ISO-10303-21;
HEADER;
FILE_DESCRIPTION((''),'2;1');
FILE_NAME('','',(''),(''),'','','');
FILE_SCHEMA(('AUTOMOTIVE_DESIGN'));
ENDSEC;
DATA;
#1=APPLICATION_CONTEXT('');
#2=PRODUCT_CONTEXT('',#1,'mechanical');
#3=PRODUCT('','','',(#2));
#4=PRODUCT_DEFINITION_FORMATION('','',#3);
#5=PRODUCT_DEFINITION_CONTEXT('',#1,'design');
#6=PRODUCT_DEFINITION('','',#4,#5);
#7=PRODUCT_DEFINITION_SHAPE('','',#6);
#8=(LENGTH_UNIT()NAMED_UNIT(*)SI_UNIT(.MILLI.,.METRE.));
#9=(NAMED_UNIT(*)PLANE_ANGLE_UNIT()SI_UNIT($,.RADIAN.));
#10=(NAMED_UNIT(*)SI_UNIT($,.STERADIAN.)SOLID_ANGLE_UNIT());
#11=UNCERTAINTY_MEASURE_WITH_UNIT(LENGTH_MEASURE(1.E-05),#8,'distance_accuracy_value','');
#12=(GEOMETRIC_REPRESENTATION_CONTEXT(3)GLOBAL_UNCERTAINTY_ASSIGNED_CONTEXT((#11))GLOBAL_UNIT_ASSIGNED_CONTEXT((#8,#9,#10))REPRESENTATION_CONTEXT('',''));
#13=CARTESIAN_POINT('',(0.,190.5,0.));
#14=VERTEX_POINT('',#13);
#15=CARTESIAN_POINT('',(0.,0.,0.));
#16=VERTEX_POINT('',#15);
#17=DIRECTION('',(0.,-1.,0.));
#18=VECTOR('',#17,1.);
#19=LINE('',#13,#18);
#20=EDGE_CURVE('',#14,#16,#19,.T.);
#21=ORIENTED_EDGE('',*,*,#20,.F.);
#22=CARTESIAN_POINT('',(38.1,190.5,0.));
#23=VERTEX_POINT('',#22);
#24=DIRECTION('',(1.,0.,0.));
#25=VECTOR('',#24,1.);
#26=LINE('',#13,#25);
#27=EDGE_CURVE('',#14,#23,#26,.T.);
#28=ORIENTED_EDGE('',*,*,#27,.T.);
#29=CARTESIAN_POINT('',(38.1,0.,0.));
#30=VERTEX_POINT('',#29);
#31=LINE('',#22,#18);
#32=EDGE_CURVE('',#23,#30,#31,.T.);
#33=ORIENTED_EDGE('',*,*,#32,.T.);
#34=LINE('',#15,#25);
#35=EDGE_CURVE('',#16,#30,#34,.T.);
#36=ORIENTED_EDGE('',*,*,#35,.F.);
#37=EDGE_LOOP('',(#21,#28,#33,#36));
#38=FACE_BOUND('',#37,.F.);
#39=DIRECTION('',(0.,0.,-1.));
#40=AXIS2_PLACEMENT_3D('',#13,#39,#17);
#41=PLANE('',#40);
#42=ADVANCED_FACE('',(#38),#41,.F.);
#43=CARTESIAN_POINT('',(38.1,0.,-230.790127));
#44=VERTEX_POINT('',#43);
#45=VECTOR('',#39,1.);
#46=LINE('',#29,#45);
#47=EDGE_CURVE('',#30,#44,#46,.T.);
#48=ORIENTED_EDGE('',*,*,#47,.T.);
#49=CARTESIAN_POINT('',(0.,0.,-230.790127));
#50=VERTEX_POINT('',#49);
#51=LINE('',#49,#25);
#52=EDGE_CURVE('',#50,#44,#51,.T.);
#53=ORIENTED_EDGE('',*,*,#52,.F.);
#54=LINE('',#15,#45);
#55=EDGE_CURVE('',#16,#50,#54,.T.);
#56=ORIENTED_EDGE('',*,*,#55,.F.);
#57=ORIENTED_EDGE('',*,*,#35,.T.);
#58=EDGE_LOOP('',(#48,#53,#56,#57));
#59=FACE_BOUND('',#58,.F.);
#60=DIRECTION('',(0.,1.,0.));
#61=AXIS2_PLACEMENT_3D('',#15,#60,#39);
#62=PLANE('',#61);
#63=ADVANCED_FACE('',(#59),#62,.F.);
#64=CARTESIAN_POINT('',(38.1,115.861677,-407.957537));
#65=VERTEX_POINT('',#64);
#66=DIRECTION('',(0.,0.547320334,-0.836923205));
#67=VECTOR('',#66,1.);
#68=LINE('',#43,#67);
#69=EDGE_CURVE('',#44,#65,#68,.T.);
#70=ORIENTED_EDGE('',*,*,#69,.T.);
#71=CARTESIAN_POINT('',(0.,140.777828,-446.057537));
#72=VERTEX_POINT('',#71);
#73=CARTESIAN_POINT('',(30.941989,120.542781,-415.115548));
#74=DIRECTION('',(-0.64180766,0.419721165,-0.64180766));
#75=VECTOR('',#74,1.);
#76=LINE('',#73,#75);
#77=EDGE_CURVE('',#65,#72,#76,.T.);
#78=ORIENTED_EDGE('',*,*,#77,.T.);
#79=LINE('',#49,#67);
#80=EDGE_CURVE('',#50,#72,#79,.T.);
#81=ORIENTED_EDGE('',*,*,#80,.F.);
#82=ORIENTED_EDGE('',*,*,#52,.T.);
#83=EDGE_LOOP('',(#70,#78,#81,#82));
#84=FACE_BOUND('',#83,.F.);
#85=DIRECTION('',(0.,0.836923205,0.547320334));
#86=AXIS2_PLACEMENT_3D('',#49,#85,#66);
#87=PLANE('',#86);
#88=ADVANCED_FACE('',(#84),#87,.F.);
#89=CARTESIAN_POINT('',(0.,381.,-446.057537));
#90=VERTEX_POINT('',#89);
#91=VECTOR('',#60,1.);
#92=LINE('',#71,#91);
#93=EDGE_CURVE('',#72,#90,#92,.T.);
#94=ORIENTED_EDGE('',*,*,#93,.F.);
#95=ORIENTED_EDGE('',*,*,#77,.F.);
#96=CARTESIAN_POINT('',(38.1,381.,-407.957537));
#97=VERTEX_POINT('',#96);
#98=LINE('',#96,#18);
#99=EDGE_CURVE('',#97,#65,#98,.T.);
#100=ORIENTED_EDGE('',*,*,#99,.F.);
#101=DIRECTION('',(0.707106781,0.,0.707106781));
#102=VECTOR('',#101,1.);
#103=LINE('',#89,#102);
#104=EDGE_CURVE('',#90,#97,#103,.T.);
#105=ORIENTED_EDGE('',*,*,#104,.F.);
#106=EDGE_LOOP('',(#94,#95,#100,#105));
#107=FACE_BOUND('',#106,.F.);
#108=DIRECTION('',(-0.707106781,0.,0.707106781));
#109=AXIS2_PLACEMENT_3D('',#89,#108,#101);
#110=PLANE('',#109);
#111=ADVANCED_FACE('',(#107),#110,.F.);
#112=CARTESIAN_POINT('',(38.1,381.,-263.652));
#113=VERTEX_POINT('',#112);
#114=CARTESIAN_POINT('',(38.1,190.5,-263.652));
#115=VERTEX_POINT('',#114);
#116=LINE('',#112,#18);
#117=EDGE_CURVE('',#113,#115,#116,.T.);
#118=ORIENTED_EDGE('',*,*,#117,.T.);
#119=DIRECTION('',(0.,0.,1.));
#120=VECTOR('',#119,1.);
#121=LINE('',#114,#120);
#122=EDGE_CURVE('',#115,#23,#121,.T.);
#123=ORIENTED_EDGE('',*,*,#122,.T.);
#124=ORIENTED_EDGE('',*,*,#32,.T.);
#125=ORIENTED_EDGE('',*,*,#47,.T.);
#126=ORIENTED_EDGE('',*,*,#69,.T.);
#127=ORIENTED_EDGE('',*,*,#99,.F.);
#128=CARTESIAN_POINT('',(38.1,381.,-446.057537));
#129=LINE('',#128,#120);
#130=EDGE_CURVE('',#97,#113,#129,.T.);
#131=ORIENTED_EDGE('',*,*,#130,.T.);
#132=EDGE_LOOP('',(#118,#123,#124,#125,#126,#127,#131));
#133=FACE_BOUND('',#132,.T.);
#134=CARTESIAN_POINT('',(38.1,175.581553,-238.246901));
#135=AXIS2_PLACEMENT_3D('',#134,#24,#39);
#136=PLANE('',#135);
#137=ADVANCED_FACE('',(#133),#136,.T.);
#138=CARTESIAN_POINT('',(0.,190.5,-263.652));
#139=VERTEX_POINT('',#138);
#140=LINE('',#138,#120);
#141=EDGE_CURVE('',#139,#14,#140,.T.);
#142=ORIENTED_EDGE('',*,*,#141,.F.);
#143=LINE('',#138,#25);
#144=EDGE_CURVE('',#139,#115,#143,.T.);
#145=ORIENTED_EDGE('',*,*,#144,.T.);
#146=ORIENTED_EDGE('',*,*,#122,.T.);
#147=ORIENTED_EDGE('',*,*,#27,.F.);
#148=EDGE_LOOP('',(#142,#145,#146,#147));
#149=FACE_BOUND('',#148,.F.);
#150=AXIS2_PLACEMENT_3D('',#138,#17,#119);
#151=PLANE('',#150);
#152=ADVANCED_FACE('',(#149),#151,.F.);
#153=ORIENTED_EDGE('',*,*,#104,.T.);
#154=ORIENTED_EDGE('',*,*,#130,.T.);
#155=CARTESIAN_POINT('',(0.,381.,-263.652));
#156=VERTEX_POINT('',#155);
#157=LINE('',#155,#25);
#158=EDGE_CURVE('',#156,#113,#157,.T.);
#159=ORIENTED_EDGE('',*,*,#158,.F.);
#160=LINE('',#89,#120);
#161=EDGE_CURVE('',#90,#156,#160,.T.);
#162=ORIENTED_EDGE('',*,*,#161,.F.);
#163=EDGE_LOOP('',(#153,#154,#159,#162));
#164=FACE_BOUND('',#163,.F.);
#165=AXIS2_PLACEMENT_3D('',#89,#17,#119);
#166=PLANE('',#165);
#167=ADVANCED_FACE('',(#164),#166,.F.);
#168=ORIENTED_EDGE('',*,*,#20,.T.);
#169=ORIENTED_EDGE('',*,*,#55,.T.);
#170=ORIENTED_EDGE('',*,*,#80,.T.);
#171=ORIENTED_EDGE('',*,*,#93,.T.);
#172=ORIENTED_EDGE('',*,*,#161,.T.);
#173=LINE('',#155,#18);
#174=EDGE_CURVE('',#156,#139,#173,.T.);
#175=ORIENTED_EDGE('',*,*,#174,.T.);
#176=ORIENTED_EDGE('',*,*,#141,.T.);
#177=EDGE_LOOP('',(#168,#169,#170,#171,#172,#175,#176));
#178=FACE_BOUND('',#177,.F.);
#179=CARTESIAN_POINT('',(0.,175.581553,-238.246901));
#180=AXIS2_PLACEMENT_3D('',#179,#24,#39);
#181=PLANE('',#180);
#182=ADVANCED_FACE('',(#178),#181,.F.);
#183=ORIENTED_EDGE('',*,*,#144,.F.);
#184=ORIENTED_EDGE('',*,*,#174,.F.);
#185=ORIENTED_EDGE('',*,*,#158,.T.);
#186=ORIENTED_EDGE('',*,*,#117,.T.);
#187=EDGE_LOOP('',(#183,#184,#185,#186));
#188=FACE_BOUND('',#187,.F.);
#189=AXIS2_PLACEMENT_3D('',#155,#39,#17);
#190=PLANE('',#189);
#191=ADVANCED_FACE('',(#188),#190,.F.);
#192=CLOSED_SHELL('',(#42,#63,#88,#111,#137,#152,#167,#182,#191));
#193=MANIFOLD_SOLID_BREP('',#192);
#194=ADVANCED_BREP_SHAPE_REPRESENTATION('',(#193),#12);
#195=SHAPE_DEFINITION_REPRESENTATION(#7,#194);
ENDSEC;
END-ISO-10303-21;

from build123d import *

# Parameters (mm, degrees)
BOSS_EXTRUDE2_DEPTH = 38.1
CUT_EXTRUDE1_REACH  = 383


with BuildPart() as part:
    # Sketch1 → Boss-Extrude2 (new body)
    with BuildSketch(Plane(origin=(0, 0, 0), x_dir=(0, 0, -1), z_dir=(1, 0, 0))):
        Polygon((230.790126839, 0), (446.057536726, 140.777827649), (446.057536726, 381), (263.652, 381), (263.652, 190.5), (0, 190.5), (0, 0), align=None)
    extrude(amount=BOSS_EXTRUDE2_DEPTH)

    # Sketch2 → Cut-Extrude1 (cut, up to next)
    with BuildSketch(Plane(origin=(0, 381, 0), x_dir=(1, 0, 0), z_dir=(0, 1, 0)), mode=Mode.PRIVATE) as cut_extrude1_sk1:
        Polygon((0, 446.057536726), (38.1, 407.957536726), (38.1, 446.057536726), align=None)
    cut_extrude1_tool1 = extrude(cut_extrude1_sk1.sketch, amount=-CUT_EXTRUDE1_REACH, mode=Mode.PRIVATE) & part.part
    add(cut_extrude1_tool1.solids().sort_by_distance((25.4, 381, -433.357537))[0], mode=Mode.SUBTRACT)


solid = part.part
